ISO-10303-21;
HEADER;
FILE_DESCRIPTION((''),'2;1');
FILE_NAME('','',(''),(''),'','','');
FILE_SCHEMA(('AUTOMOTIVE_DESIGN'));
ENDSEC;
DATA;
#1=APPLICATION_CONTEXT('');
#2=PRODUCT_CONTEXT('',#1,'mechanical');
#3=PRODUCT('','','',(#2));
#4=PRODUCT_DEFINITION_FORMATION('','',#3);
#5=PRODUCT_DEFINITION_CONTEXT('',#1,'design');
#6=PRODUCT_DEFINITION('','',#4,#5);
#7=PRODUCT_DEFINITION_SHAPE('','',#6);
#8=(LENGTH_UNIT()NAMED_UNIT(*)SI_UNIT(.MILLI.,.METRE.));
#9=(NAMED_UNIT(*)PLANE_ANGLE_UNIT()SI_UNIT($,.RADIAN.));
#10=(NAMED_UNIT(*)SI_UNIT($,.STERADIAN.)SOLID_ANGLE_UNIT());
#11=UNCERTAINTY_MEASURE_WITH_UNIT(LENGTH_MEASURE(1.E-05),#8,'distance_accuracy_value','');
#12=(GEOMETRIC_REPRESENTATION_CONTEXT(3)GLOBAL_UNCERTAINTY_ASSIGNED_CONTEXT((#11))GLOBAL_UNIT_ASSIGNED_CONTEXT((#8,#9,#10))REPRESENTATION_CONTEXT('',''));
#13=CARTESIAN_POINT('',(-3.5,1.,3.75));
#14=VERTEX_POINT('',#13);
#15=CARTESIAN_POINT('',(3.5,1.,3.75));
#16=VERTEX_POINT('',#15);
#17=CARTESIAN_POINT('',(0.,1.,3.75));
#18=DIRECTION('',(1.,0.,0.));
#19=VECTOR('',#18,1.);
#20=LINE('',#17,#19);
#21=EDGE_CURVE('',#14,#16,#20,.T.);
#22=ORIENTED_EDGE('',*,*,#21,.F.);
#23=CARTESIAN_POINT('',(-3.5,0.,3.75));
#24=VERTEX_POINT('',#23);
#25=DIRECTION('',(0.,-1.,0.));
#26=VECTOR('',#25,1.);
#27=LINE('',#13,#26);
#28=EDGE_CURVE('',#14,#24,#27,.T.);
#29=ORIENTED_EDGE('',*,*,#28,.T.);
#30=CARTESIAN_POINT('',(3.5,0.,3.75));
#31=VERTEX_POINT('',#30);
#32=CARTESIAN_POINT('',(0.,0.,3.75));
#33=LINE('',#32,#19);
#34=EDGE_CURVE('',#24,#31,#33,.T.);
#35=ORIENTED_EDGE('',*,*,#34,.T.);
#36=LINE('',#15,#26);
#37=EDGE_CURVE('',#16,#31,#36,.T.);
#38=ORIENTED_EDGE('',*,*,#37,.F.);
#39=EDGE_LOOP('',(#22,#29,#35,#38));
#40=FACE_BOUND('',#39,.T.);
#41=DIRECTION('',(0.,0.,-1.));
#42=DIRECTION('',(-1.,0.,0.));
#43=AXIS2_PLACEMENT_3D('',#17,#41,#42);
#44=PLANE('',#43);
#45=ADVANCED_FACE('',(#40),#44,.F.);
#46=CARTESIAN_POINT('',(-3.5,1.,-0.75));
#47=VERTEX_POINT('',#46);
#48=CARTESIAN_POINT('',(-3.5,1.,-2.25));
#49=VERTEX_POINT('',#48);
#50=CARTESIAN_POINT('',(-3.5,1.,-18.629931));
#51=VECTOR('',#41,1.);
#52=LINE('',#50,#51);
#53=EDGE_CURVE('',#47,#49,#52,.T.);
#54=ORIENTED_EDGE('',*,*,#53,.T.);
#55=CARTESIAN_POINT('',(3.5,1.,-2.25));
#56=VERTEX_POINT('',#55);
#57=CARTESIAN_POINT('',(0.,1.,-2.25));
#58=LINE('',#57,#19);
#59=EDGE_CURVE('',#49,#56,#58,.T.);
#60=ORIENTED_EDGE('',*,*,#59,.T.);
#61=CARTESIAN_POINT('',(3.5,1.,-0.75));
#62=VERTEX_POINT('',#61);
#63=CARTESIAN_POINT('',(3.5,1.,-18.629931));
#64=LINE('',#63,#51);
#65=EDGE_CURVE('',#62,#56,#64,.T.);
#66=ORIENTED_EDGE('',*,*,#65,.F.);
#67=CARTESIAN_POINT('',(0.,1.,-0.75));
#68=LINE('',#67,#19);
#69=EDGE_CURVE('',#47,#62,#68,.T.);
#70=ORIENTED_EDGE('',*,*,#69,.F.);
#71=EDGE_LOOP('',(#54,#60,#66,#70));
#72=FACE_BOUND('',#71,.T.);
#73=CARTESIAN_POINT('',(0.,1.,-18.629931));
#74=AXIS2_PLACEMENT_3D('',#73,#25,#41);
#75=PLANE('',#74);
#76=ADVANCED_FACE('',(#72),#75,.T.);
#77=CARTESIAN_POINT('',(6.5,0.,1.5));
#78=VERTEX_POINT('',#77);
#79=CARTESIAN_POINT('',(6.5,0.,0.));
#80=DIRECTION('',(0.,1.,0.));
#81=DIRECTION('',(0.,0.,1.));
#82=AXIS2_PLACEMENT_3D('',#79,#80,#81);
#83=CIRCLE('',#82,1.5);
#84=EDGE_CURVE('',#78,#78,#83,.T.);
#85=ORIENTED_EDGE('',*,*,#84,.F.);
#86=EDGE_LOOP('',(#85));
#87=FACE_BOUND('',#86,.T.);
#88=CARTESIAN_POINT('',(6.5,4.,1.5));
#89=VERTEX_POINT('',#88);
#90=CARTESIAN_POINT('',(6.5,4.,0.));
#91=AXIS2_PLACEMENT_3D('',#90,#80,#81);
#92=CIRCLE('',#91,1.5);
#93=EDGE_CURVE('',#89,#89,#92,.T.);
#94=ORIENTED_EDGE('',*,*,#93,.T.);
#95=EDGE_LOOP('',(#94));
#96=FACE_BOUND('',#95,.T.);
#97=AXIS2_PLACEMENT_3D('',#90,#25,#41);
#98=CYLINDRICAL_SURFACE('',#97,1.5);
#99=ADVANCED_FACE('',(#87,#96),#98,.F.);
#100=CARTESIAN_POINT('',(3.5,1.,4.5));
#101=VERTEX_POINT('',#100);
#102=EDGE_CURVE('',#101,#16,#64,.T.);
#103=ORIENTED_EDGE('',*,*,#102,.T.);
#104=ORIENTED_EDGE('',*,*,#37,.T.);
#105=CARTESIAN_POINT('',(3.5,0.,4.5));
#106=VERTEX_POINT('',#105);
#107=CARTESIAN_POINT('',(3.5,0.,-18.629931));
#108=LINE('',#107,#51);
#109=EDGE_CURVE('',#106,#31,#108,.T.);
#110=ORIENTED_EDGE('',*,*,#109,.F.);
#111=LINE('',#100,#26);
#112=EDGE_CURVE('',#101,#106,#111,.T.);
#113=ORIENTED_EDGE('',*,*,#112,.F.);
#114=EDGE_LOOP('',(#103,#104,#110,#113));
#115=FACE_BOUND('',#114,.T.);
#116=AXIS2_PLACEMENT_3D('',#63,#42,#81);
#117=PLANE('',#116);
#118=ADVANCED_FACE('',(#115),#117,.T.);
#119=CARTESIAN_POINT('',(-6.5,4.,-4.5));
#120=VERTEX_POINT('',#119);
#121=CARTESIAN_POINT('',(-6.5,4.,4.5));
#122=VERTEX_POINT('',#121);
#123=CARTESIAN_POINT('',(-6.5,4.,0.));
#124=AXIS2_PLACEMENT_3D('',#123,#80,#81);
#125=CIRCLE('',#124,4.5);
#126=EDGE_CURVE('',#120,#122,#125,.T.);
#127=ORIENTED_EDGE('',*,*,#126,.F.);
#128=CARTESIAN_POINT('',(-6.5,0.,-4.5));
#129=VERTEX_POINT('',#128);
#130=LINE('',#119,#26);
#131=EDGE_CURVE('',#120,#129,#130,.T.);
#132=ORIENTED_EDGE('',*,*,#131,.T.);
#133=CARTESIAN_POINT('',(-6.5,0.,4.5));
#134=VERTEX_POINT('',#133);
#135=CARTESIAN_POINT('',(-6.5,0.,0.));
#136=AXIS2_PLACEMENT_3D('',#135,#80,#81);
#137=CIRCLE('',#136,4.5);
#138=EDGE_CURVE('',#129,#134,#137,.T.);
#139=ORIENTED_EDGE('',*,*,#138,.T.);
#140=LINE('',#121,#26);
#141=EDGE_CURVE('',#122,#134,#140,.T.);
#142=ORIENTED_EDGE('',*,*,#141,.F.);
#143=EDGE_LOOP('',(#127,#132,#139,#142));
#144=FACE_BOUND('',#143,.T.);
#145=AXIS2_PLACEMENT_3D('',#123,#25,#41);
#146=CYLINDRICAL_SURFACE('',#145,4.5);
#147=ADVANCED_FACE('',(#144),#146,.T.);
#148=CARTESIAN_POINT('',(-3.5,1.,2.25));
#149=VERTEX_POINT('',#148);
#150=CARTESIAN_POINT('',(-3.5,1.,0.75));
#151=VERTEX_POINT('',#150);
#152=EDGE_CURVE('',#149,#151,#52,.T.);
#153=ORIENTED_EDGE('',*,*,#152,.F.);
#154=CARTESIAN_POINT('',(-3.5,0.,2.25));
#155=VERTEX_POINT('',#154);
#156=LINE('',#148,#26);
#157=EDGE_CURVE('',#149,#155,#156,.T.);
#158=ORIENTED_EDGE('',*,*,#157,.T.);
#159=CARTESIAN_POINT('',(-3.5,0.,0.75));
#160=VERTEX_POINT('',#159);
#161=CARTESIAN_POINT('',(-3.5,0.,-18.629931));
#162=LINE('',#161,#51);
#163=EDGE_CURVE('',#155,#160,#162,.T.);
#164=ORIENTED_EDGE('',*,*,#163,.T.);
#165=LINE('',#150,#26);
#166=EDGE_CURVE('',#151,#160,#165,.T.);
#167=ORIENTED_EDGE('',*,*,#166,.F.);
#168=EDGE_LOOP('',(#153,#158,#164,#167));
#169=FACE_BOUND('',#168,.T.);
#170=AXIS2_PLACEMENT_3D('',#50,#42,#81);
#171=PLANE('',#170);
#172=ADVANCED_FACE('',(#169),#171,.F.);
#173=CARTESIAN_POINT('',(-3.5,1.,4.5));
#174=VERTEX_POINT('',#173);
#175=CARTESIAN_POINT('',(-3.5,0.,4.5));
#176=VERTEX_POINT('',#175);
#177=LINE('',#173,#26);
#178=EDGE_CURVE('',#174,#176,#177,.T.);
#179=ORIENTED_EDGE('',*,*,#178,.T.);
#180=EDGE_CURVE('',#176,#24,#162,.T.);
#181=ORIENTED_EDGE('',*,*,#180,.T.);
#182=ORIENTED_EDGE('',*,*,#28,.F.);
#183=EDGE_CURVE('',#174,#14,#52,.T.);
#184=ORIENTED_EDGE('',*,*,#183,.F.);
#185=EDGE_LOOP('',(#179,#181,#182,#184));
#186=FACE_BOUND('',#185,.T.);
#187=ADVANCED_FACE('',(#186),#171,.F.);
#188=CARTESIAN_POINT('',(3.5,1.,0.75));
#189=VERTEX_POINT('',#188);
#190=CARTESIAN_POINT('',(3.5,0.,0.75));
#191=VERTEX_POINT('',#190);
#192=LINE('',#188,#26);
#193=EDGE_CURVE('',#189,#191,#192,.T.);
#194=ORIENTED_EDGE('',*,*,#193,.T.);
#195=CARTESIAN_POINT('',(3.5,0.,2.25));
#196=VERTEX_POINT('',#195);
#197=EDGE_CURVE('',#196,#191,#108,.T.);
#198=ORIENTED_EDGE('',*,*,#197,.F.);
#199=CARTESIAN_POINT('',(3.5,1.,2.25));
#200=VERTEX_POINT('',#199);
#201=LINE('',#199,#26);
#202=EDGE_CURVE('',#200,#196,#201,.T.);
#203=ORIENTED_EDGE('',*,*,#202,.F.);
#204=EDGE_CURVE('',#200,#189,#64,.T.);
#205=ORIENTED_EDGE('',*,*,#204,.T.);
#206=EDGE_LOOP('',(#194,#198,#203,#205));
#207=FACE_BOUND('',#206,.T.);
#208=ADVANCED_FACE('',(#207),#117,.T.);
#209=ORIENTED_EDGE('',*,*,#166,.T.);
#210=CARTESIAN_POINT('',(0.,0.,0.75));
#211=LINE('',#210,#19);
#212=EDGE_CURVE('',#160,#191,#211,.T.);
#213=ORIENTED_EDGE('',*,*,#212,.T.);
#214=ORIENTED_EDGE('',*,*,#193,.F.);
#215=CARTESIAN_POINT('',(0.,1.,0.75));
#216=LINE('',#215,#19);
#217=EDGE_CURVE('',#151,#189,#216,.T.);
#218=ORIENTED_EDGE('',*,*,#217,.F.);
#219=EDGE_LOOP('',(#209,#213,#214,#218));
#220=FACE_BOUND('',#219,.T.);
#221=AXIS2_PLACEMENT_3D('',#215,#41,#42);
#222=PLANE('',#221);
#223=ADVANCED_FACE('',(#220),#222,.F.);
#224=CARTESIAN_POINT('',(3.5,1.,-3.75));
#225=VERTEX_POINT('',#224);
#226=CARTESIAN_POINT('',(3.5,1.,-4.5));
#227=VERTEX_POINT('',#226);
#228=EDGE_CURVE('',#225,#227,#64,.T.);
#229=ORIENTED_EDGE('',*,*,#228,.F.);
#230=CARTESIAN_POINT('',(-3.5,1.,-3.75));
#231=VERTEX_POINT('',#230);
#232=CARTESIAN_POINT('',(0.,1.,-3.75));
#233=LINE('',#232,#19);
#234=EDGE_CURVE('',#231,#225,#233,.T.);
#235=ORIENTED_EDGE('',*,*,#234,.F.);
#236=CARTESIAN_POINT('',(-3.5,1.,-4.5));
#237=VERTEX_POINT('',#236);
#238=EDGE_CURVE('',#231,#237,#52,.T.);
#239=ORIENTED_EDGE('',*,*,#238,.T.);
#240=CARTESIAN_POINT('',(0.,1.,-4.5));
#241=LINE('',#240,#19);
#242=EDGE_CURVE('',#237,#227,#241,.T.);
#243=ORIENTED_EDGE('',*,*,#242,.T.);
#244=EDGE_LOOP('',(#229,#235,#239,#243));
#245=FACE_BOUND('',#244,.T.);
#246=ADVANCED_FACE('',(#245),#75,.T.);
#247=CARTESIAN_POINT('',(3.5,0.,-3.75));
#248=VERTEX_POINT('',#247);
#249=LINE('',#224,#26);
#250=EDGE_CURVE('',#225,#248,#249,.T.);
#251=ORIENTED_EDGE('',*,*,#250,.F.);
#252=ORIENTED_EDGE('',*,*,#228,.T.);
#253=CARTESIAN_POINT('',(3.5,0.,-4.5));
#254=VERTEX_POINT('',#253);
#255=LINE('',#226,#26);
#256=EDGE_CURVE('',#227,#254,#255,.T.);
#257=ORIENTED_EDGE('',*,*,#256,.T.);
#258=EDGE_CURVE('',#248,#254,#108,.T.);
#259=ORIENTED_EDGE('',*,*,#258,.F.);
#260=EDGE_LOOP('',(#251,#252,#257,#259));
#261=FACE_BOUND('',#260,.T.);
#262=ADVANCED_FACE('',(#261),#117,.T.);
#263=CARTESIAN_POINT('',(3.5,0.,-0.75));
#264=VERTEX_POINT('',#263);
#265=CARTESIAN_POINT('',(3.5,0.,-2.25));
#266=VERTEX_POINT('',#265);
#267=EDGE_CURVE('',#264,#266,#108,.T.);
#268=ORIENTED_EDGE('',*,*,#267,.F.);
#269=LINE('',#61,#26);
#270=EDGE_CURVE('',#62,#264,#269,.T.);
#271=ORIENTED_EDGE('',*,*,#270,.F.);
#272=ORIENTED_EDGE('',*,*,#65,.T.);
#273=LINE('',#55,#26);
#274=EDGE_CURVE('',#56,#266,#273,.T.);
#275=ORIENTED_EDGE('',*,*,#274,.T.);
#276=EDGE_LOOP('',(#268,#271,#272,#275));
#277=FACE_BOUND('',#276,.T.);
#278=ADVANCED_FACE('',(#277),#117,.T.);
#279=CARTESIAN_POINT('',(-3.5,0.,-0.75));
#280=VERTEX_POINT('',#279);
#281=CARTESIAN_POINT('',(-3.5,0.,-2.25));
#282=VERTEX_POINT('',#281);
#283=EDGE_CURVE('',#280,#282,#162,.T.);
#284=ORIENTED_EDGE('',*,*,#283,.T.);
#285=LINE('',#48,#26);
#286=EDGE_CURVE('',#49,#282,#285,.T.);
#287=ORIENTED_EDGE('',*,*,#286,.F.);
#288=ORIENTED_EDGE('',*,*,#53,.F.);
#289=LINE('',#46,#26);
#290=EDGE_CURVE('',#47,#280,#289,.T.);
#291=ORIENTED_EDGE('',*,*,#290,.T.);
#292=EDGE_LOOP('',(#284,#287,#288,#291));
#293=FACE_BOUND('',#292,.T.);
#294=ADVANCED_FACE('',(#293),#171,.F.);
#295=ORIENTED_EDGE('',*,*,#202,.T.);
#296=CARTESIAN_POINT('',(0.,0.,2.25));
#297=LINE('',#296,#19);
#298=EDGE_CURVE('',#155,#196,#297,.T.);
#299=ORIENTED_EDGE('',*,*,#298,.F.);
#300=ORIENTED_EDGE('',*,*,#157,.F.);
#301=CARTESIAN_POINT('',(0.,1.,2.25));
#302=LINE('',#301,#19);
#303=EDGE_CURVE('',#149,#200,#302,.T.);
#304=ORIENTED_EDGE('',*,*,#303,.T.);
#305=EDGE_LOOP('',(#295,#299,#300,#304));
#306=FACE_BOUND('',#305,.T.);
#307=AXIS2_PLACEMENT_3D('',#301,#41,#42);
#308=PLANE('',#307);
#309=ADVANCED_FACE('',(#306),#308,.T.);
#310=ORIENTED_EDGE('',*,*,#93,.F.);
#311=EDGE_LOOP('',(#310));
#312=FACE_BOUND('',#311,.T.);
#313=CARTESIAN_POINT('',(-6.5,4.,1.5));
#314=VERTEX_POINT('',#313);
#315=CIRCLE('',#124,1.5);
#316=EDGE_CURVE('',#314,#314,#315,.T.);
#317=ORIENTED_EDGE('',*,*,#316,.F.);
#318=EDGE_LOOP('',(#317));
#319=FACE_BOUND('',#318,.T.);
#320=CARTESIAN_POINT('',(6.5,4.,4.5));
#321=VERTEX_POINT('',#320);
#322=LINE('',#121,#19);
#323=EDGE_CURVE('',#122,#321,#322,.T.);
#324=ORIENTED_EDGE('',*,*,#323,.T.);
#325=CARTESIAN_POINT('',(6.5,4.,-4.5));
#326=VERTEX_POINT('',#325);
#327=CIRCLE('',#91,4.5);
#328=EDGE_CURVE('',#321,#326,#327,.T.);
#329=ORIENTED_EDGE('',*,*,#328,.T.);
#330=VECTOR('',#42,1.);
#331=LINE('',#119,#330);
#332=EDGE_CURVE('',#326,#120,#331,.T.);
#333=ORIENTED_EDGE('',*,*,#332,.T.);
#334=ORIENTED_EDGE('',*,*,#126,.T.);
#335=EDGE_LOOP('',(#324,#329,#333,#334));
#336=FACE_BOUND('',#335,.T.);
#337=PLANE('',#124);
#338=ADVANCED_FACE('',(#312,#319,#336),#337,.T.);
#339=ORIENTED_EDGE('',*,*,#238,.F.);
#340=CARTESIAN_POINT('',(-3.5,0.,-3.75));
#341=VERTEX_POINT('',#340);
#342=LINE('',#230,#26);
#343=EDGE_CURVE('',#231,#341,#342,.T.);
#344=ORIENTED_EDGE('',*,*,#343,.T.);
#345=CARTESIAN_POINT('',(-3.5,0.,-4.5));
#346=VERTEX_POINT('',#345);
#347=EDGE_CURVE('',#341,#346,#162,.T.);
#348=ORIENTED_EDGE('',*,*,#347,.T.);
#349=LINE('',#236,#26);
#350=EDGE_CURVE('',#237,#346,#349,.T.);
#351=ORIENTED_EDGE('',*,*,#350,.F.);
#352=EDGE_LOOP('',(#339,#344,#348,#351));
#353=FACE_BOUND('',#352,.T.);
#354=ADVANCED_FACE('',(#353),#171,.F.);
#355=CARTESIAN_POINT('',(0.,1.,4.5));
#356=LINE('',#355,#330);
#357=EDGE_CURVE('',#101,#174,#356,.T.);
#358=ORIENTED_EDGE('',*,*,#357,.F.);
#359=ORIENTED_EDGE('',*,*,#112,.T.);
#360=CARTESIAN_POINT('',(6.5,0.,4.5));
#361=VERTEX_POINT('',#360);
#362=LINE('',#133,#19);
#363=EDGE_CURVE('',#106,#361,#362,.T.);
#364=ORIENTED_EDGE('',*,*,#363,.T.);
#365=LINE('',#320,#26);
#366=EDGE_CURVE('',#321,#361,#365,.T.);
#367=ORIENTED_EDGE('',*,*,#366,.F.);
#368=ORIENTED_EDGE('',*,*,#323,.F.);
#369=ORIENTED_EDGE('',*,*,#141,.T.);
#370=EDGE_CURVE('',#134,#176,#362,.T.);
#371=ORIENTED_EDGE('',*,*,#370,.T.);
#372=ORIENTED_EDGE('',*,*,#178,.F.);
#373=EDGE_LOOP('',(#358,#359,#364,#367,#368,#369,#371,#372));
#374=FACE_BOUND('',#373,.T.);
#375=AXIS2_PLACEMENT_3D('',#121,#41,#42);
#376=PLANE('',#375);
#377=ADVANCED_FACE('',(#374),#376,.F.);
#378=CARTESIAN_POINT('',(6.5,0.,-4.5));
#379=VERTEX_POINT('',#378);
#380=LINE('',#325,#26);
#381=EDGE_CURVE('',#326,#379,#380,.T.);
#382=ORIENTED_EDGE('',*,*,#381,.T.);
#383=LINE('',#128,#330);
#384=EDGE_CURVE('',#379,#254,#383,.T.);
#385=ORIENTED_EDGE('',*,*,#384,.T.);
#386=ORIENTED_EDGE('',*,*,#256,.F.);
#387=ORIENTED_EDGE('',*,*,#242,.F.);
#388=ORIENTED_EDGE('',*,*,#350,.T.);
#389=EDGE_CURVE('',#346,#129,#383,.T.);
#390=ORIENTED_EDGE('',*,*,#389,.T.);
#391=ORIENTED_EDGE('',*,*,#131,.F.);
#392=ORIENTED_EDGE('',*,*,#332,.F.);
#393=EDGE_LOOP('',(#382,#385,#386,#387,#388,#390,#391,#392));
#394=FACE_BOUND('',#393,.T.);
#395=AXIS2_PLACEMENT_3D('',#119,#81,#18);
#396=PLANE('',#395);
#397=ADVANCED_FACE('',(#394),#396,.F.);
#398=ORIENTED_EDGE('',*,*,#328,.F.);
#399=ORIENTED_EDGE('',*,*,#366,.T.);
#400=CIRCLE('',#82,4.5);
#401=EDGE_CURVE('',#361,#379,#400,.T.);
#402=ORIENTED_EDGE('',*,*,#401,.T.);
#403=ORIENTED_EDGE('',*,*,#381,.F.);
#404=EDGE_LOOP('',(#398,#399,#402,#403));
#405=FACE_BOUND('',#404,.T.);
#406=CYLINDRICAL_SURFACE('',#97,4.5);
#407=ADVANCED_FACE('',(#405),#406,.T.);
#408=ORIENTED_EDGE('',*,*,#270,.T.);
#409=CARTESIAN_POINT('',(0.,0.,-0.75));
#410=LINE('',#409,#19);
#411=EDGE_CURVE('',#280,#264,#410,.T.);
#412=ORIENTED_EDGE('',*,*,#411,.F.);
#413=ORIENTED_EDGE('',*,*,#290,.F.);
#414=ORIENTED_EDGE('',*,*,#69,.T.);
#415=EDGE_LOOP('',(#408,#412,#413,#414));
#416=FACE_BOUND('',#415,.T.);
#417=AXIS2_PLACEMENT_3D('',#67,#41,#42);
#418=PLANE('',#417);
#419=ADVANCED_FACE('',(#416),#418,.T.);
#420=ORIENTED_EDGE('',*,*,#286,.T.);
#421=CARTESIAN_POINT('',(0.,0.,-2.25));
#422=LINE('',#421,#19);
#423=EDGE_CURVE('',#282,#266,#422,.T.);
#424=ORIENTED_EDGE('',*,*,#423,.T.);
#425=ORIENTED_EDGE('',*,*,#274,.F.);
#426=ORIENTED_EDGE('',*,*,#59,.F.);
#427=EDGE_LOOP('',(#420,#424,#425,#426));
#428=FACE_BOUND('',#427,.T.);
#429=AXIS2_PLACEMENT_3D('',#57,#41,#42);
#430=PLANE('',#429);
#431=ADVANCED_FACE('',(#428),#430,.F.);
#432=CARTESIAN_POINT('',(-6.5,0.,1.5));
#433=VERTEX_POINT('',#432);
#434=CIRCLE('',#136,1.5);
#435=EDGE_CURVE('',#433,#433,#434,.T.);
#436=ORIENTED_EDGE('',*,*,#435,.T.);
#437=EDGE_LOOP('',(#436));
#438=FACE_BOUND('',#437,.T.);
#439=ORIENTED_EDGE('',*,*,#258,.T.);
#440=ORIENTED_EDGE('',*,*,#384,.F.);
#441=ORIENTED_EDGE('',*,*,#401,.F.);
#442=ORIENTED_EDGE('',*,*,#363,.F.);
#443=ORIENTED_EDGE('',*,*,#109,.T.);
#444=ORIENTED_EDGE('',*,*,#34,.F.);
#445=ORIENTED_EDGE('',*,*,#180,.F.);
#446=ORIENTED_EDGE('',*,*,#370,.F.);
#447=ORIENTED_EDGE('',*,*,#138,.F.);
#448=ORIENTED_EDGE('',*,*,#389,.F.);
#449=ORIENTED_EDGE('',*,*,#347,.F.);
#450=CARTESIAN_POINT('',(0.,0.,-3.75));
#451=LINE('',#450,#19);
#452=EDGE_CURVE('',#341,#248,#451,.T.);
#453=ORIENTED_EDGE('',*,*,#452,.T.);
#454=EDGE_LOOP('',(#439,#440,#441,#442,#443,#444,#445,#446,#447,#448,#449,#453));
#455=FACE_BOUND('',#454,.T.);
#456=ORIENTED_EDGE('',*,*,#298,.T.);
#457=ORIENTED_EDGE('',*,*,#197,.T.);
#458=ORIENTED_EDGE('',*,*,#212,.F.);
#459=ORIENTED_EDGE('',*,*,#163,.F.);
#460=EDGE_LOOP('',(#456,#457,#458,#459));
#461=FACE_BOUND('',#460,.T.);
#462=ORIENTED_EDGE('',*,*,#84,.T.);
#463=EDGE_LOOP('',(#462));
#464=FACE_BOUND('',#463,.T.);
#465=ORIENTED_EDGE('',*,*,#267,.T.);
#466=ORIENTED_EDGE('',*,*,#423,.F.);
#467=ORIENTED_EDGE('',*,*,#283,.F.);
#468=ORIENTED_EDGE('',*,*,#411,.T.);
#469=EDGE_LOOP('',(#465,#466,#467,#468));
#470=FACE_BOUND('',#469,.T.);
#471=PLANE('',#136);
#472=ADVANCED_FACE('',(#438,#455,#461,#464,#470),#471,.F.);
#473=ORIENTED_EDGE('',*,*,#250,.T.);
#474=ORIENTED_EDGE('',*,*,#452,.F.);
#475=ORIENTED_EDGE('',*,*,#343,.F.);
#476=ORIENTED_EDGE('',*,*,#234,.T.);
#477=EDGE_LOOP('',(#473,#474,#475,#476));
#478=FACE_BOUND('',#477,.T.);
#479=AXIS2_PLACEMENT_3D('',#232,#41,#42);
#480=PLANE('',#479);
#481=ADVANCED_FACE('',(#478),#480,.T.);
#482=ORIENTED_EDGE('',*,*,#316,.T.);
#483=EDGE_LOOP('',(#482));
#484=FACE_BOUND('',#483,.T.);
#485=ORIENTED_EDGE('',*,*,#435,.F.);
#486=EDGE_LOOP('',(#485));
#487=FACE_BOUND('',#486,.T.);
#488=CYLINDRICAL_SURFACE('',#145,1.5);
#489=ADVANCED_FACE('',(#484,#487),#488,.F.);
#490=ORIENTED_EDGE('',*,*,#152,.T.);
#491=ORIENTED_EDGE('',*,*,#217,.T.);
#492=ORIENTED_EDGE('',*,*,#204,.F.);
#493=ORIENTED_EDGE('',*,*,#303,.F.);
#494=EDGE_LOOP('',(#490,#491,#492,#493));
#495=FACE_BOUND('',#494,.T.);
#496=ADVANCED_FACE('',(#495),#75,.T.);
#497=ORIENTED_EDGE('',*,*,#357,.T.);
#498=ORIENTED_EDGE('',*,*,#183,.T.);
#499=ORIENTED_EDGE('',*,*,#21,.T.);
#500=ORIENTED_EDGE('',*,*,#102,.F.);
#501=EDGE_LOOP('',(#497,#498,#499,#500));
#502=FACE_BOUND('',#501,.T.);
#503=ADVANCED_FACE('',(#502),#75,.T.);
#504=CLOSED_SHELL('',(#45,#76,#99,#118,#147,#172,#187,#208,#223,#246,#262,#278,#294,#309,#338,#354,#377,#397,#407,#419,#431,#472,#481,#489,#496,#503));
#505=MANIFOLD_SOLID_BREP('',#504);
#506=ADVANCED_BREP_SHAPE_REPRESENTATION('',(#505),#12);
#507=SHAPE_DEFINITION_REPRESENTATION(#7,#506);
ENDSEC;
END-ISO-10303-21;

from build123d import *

# Parameters (mm, degrees)
SKETCH1_R      = 1.5
EXTRUDE1_DEPTH = 4
SKETCH2_W      = 7
SKETCH2_H      = 0.75
SKETCH2_H_2    = 1.5
EXTRUDE4_DEPTH = 1


with BuildPart() as part:
    # Sketch1 → Extrude1 (new body)
    with BuildSketch(Plane(origin=(0, 0, 0), x_dir=(1, 0, 0), z_dir=(0, 1, 0))):
        with BuildLine():
            Line((-6.5, 4.5), (6.5, 4.5))
            ThreePointArc((6.5, 4.5), (11, 0), (6.5, -4.5))
            Line((6.5, -4.5), (-6.5, -4.5))
            ThreePointArc((-6.5, -4.5), (-11, 0), (-6.5, 4.5))
        make_face()
        with Locations((6.5, 0)):
            Circle(SKETCH1_R, mode=Mode.SUBTRACT)
        with Locations((-6.5, 0)):
            Circle(SKETCH1_R, mode=Mode.SUBTRACT)
    extrude(amount=EXTRUDE1_DEPTH)

    # Sketch2 → Extrude4 (cut)
    with BuildSketch(Plane.XZ):
        with Locations((0, -4.125)):
            Rectangle(SKETCH2_W, SKETCH2_H)
        with Locations((0, -1.5)):
            Rectangle(SKETCH2_W, SKETCH2_H_2)
        with Locations((0, 1.5)):
            Rectangle(SKETCH2_W, SKETCH2_H_2)
        with Locations((0, 4.125)):
            Rectangle(SKETCH2_W, SKETCH2_H)
    extrude(amount=-EXTRUDE4_DEPTH, mode=Mode.SUBTRACT)


solid = part.part
